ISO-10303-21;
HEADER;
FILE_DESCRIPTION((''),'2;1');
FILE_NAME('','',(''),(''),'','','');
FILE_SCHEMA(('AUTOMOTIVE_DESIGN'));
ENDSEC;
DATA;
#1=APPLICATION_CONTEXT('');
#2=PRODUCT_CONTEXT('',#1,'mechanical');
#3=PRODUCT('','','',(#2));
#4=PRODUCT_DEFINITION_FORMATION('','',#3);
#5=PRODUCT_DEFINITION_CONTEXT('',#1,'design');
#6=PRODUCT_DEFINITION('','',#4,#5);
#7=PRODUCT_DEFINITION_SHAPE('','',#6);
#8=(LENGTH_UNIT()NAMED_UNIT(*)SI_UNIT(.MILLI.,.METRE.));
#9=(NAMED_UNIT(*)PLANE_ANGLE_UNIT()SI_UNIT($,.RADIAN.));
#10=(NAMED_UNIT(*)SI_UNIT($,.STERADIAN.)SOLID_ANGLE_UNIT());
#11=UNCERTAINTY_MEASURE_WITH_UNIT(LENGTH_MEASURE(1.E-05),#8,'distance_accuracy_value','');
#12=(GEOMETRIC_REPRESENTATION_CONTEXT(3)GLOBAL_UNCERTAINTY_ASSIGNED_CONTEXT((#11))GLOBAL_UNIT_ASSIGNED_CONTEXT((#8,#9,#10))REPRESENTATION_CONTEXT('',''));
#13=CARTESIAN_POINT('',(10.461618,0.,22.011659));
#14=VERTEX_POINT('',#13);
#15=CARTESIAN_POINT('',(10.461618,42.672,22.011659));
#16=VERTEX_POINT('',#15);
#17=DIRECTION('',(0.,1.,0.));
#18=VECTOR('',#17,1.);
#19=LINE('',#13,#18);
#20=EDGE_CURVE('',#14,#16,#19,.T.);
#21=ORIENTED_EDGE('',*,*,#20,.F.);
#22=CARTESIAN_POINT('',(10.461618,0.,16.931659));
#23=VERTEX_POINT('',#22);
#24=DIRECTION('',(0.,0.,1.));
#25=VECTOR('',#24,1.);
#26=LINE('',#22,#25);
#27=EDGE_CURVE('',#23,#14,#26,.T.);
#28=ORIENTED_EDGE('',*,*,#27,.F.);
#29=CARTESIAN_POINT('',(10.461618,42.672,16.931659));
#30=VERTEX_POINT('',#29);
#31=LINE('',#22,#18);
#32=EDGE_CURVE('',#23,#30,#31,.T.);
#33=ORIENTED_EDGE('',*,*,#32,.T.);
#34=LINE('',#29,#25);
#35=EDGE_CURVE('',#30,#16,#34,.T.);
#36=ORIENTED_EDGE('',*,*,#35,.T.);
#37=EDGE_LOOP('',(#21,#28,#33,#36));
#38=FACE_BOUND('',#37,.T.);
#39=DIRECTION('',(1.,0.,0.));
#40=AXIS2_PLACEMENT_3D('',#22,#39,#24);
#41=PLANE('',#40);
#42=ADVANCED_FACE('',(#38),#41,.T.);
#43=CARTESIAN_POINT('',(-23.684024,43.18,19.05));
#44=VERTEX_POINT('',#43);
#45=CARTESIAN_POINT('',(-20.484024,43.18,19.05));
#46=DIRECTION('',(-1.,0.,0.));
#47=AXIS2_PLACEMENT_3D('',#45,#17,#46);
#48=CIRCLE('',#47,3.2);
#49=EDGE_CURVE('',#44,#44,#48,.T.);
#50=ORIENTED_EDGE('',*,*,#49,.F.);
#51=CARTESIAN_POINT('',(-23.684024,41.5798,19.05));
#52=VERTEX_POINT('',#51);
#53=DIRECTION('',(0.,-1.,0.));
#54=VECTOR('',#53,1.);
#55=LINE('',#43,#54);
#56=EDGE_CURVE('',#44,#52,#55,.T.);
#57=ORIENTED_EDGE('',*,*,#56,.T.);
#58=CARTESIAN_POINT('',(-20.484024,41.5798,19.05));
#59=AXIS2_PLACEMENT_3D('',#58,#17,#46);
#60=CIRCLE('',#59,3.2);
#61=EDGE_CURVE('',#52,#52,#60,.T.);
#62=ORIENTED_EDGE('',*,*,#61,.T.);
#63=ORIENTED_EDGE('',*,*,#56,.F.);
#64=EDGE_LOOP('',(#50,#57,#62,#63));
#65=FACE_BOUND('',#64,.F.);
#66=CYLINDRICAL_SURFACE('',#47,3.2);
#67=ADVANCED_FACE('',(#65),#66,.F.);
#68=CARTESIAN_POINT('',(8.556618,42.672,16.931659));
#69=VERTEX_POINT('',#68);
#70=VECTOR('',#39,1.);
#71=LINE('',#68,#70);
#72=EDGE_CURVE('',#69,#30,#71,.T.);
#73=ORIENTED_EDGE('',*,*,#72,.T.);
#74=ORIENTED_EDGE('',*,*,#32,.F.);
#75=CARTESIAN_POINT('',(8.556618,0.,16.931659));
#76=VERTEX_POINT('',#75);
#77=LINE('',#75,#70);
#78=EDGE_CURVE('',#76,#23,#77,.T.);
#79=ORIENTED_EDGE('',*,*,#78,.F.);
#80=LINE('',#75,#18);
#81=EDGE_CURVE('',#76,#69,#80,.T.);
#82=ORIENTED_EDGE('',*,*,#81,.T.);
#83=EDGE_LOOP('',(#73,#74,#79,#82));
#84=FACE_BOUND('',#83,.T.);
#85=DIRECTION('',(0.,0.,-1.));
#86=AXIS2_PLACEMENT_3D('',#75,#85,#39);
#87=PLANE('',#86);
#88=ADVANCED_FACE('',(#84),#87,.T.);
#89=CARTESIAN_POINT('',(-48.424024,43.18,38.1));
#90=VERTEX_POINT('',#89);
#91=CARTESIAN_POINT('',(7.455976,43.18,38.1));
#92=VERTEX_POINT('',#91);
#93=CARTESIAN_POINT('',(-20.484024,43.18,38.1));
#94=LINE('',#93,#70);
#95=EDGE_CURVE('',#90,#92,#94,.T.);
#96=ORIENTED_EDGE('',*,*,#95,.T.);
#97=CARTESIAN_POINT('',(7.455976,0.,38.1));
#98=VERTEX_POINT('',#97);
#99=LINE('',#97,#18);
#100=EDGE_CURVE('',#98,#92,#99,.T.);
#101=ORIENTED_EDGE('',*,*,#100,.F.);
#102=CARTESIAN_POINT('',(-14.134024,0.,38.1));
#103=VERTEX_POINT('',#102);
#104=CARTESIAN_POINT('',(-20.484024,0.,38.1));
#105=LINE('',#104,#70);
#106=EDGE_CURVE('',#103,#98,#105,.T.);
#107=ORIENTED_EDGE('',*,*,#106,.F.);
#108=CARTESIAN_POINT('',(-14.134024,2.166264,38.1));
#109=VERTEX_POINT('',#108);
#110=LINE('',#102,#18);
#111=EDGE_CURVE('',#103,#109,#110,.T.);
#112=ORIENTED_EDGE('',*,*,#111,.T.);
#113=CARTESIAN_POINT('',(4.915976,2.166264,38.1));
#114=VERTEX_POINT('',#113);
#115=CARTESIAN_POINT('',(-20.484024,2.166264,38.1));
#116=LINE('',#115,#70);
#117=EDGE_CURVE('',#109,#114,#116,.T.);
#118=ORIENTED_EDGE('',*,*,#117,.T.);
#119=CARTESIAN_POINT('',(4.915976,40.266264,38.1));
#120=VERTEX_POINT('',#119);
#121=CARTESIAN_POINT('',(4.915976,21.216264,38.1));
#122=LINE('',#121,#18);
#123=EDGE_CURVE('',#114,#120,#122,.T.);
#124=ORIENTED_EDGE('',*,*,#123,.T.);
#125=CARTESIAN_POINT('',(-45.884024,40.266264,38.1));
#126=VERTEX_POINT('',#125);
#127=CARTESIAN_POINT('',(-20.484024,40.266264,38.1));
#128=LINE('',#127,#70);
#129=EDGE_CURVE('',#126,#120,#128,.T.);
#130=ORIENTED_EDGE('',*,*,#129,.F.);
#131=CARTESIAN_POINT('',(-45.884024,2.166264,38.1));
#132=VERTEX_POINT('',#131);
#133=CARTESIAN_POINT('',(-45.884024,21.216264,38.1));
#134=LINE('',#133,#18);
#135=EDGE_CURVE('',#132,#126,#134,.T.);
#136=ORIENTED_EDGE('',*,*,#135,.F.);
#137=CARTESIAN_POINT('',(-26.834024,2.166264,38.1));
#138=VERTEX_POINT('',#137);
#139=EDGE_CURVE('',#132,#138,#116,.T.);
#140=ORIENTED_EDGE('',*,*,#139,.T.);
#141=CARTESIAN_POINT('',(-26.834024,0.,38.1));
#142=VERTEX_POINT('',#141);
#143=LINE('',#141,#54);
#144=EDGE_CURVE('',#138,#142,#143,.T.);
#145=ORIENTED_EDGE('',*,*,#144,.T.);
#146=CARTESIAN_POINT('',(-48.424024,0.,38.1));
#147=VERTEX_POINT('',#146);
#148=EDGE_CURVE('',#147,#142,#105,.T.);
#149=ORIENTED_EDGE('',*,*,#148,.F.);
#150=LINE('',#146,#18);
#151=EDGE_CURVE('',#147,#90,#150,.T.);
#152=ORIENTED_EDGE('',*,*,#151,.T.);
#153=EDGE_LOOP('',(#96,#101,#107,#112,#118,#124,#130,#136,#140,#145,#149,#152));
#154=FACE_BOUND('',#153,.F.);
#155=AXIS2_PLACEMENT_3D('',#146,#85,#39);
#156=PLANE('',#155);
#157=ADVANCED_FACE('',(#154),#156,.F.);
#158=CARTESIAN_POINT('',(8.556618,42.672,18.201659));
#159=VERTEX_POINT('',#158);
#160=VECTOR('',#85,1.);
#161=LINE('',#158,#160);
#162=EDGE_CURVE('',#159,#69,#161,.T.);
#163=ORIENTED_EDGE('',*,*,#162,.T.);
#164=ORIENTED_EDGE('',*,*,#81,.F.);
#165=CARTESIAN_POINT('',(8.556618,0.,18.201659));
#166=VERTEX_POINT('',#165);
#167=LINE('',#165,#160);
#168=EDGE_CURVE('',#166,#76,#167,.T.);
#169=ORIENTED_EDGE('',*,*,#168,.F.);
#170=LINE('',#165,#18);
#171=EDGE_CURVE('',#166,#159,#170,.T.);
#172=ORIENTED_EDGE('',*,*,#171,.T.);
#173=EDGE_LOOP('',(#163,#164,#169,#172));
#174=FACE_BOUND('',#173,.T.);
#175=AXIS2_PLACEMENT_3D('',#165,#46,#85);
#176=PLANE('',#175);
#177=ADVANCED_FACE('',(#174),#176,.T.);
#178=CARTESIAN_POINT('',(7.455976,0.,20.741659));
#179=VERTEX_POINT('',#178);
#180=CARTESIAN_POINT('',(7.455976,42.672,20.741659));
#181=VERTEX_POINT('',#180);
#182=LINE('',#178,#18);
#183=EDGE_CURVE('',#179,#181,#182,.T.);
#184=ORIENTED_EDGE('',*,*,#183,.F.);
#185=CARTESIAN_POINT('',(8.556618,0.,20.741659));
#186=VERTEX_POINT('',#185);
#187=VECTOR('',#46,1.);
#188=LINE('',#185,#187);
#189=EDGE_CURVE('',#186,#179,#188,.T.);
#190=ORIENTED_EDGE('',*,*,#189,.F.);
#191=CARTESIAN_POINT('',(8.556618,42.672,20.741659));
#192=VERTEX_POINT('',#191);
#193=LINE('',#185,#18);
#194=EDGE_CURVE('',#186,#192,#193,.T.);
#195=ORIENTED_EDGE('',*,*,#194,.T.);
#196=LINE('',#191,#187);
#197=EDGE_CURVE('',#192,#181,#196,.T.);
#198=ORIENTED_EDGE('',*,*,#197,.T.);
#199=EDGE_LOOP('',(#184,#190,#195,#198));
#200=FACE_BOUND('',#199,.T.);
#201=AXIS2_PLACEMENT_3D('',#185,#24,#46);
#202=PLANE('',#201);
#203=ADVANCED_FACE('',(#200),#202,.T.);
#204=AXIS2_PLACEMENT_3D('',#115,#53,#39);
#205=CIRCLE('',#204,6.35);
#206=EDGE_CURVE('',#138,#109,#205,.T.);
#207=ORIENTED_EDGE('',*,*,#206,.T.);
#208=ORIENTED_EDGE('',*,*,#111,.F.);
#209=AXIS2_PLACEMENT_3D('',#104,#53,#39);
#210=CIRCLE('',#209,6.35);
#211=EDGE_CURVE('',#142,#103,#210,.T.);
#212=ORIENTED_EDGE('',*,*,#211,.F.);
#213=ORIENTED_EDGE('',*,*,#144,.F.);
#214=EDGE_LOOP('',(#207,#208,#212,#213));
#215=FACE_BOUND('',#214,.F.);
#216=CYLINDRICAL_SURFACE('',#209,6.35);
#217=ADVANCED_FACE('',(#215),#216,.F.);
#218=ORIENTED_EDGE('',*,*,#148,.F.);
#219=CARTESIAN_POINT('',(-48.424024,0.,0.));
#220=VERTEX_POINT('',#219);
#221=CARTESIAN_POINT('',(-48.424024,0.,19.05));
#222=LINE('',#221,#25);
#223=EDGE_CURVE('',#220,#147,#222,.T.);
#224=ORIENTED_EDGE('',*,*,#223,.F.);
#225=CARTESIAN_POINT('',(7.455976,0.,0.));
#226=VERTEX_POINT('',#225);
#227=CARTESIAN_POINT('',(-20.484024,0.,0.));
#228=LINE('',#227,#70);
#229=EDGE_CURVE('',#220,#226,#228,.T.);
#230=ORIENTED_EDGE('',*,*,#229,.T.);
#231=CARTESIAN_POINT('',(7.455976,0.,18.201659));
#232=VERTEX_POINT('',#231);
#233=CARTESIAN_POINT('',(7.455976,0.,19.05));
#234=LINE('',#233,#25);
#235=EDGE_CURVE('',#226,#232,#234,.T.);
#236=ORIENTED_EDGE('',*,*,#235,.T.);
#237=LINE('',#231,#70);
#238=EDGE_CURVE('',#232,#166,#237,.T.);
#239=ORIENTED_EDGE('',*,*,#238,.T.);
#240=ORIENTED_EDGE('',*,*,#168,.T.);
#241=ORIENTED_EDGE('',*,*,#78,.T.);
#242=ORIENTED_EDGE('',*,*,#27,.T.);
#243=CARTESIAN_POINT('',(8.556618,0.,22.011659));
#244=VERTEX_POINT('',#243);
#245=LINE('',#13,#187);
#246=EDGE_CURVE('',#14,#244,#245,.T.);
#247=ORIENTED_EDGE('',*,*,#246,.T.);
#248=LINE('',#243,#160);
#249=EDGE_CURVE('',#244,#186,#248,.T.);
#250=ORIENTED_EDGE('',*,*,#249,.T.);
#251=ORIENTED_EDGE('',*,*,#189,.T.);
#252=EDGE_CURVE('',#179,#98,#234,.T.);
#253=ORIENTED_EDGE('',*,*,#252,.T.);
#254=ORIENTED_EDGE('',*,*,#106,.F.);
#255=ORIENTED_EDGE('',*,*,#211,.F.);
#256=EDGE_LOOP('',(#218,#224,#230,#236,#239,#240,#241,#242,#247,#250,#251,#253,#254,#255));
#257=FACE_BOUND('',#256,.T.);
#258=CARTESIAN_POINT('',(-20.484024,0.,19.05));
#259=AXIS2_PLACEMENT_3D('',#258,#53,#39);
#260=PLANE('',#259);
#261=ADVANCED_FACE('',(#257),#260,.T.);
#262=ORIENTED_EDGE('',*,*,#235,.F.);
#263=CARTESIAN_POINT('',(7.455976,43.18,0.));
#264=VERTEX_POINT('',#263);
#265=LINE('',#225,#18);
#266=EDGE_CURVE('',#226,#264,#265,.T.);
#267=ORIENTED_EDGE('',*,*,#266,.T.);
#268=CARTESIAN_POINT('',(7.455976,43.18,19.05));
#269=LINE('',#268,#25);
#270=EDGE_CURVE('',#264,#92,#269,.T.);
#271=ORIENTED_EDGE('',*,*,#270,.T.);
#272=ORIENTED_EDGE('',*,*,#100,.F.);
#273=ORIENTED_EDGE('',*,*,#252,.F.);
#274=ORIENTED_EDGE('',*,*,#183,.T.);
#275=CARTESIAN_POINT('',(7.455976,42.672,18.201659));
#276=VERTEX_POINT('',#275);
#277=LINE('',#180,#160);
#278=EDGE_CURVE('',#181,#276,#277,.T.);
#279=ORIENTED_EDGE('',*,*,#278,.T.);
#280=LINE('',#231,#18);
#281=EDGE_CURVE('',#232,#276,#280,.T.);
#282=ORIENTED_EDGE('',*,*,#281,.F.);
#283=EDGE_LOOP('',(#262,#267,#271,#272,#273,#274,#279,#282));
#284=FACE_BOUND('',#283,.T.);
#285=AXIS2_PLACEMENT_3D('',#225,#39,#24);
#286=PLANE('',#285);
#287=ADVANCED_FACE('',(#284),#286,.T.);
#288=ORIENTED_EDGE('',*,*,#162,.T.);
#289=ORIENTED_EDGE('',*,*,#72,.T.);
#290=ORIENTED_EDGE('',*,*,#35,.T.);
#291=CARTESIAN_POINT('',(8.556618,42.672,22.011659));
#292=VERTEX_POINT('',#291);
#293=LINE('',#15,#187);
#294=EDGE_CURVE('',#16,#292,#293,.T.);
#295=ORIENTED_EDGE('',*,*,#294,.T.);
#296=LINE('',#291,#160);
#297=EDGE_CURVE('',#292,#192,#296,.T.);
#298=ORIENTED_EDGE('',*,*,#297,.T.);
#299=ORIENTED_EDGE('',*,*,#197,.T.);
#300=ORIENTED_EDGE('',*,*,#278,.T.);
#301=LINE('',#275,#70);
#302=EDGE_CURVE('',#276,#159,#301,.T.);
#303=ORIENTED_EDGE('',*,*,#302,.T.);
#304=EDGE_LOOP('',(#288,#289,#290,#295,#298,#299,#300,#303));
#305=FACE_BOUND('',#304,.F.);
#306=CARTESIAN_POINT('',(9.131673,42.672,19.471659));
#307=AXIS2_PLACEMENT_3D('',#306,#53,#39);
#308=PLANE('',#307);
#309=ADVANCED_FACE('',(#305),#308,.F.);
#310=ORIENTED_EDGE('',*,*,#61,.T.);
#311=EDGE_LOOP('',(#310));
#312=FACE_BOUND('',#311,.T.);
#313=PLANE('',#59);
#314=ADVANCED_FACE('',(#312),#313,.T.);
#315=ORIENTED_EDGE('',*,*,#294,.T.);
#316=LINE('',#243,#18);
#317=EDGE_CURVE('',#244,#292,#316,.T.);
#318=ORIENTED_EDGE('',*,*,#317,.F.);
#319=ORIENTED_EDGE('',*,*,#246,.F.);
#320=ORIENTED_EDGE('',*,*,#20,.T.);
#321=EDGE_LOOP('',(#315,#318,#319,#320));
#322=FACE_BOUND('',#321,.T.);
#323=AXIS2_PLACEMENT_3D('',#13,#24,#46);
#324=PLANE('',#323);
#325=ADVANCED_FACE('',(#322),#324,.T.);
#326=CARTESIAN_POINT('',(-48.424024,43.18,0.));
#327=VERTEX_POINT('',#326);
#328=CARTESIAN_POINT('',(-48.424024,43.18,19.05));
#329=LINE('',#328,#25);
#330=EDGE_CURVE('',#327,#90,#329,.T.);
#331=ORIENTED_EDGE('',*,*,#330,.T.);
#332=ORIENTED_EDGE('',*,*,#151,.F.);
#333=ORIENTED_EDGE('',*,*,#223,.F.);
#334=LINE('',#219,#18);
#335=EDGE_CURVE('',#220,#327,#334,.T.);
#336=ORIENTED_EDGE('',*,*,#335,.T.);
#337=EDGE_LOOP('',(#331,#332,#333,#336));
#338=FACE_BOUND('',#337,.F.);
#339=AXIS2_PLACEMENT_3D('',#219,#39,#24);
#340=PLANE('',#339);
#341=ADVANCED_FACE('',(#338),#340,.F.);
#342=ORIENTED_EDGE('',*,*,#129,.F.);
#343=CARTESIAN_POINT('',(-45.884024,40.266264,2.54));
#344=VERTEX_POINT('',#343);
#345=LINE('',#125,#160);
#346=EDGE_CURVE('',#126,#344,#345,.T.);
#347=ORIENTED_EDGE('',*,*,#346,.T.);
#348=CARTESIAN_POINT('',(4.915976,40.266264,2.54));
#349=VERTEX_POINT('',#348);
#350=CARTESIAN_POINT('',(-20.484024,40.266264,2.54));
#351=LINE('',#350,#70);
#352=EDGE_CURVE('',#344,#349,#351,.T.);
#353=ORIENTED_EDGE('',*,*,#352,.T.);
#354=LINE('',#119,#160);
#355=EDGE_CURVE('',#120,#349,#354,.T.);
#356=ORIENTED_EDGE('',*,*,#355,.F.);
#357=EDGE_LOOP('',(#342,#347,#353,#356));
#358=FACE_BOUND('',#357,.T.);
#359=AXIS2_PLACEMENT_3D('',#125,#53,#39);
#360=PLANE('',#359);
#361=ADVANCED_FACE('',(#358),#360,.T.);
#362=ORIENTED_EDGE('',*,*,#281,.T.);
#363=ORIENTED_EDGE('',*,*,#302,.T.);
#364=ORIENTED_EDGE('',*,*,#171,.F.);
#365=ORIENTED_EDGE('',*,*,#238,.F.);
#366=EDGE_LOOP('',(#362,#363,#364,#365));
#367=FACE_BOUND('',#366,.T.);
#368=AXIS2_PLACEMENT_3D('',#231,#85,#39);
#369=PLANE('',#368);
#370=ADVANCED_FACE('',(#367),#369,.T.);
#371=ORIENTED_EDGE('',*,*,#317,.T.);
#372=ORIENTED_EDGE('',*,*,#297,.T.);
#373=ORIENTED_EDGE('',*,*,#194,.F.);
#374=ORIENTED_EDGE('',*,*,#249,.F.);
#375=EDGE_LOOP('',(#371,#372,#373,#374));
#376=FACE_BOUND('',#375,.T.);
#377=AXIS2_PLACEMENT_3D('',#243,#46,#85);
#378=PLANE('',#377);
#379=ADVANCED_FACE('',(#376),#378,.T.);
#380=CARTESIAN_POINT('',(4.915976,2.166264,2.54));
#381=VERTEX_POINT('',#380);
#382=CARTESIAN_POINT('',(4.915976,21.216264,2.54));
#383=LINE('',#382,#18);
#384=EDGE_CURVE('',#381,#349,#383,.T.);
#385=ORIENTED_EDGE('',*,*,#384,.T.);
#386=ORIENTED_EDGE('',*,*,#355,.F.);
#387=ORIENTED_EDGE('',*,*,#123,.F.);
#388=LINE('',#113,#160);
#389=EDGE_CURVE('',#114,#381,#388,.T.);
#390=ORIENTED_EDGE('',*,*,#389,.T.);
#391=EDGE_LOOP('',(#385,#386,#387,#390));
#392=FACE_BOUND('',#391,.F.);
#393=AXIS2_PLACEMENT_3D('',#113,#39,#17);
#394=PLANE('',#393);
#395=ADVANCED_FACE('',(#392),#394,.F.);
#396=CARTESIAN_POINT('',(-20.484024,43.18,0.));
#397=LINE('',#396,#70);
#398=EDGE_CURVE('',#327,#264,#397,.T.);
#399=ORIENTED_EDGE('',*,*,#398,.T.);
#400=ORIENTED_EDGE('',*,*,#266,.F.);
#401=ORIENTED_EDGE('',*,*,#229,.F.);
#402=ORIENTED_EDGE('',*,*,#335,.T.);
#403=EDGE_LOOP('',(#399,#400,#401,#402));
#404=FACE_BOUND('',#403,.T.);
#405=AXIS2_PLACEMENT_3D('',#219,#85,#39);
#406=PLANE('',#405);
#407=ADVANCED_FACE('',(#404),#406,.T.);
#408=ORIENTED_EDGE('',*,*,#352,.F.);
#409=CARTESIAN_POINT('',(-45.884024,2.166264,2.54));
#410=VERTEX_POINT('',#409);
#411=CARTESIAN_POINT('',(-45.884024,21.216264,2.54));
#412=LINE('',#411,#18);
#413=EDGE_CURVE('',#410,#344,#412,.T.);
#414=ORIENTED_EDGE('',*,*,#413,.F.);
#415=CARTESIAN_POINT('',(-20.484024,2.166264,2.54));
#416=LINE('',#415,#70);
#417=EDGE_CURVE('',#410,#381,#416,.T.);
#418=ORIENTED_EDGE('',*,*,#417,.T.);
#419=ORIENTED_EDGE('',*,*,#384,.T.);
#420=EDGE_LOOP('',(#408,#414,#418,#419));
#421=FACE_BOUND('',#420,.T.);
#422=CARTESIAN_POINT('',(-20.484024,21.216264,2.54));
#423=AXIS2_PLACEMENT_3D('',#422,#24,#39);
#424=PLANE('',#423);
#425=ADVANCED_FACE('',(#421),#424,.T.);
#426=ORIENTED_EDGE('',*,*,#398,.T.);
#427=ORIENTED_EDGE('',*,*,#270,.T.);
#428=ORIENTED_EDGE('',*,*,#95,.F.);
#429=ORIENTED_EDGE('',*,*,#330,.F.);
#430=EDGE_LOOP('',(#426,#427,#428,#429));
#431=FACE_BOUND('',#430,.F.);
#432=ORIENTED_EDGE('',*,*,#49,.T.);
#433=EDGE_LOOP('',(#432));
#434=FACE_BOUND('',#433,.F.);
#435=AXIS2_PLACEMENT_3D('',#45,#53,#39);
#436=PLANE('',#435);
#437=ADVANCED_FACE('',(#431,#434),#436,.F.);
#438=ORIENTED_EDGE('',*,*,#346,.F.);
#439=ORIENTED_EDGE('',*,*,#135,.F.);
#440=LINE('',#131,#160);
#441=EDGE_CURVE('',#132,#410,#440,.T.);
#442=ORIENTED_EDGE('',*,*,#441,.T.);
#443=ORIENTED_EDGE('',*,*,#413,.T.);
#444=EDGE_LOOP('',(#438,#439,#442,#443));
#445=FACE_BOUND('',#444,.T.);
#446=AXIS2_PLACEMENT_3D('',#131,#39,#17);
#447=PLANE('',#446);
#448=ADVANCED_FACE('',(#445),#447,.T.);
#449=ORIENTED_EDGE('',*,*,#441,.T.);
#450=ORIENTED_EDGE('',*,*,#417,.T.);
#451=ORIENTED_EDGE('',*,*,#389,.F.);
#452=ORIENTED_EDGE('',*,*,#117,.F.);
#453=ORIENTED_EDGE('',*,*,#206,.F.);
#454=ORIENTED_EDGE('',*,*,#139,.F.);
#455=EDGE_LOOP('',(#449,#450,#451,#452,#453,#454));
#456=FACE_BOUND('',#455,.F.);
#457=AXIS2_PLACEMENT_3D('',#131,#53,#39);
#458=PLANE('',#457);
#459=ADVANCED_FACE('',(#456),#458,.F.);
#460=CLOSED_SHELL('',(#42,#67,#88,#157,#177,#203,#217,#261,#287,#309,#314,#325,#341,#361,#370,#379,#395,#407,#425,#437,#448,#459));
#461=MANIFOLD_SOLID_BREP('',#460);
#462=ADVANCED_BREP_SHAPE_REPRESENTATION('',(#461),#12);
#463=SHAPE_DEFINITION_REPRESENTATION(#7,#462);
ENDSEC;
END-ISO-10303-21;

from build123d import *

# Parameters (mm, degrees)
F0_W     = 55.88
F0_H     = 38.1
F1_DEPTH = 43.18
F2_W     = 50.8
F2_H     = 38.1
F3_DEPTH = 35.56
F4_R     = 6.35
F5_DEPTH = 25.4
F6_R     = 3.2
F7_DEPTH = 1.6002
F9_DEPTH = 42.672


with BuildPart() as f1:
    # F0 (on Front) → F1 (new body)
    with BuildSketch(Plane.XZ):
        with Locations((-20.484024, 19.05)):
            Rectangle(F0_W, F0_H)
    extrude(amount=-F1_DEPTH)

    # F2 (on face) → F3 (cut)
    with BuildSketch(Plane.XY.offset(38.1)):
        with Locations((-20.484024, 21.216264)):
            Rectangle(F2_W, F2_H)
    extrude(amount=-F3_DEPTH, mode=Mode.SUBTRACT)

    # F4 (on face) → F5 (cut)
    with BuildSketch(Plane.XZ):
        with Locations((-20.484024, 38.1)):
            Circle(F4_R)
    extrude(amount=-F5_DEPTH, mode=Mode.SUBTRACT)

    # F6 (on face) → F7 (cut)
    with BuildSketch(Plane(origin=(0, 43.18, 0), x_dir=(-1, 0, 0), z_dir=(0, 1, 0))):
        with Locations((20.484024, 19.05)):
            Circle(F6_R)
    extrude(amount=-F7_DEPTH, mode=Mode.SUBTRACT)

    # F8 (on face) → F9 (join)
    with BuildSketch(Plane.XZ):
        Polygon((8.556618, 22.011659), (8.556618, 20.741659), (7.455976, 20.741659), (7.455976, 18.201659), (8.556618, 18.201659), (8.556618, 16.931659), (10.461618, 16.931659), (10.461618, 22.011659), align=None)
    extrude(amount=-F9_DEPTH)


solid = f1.part
